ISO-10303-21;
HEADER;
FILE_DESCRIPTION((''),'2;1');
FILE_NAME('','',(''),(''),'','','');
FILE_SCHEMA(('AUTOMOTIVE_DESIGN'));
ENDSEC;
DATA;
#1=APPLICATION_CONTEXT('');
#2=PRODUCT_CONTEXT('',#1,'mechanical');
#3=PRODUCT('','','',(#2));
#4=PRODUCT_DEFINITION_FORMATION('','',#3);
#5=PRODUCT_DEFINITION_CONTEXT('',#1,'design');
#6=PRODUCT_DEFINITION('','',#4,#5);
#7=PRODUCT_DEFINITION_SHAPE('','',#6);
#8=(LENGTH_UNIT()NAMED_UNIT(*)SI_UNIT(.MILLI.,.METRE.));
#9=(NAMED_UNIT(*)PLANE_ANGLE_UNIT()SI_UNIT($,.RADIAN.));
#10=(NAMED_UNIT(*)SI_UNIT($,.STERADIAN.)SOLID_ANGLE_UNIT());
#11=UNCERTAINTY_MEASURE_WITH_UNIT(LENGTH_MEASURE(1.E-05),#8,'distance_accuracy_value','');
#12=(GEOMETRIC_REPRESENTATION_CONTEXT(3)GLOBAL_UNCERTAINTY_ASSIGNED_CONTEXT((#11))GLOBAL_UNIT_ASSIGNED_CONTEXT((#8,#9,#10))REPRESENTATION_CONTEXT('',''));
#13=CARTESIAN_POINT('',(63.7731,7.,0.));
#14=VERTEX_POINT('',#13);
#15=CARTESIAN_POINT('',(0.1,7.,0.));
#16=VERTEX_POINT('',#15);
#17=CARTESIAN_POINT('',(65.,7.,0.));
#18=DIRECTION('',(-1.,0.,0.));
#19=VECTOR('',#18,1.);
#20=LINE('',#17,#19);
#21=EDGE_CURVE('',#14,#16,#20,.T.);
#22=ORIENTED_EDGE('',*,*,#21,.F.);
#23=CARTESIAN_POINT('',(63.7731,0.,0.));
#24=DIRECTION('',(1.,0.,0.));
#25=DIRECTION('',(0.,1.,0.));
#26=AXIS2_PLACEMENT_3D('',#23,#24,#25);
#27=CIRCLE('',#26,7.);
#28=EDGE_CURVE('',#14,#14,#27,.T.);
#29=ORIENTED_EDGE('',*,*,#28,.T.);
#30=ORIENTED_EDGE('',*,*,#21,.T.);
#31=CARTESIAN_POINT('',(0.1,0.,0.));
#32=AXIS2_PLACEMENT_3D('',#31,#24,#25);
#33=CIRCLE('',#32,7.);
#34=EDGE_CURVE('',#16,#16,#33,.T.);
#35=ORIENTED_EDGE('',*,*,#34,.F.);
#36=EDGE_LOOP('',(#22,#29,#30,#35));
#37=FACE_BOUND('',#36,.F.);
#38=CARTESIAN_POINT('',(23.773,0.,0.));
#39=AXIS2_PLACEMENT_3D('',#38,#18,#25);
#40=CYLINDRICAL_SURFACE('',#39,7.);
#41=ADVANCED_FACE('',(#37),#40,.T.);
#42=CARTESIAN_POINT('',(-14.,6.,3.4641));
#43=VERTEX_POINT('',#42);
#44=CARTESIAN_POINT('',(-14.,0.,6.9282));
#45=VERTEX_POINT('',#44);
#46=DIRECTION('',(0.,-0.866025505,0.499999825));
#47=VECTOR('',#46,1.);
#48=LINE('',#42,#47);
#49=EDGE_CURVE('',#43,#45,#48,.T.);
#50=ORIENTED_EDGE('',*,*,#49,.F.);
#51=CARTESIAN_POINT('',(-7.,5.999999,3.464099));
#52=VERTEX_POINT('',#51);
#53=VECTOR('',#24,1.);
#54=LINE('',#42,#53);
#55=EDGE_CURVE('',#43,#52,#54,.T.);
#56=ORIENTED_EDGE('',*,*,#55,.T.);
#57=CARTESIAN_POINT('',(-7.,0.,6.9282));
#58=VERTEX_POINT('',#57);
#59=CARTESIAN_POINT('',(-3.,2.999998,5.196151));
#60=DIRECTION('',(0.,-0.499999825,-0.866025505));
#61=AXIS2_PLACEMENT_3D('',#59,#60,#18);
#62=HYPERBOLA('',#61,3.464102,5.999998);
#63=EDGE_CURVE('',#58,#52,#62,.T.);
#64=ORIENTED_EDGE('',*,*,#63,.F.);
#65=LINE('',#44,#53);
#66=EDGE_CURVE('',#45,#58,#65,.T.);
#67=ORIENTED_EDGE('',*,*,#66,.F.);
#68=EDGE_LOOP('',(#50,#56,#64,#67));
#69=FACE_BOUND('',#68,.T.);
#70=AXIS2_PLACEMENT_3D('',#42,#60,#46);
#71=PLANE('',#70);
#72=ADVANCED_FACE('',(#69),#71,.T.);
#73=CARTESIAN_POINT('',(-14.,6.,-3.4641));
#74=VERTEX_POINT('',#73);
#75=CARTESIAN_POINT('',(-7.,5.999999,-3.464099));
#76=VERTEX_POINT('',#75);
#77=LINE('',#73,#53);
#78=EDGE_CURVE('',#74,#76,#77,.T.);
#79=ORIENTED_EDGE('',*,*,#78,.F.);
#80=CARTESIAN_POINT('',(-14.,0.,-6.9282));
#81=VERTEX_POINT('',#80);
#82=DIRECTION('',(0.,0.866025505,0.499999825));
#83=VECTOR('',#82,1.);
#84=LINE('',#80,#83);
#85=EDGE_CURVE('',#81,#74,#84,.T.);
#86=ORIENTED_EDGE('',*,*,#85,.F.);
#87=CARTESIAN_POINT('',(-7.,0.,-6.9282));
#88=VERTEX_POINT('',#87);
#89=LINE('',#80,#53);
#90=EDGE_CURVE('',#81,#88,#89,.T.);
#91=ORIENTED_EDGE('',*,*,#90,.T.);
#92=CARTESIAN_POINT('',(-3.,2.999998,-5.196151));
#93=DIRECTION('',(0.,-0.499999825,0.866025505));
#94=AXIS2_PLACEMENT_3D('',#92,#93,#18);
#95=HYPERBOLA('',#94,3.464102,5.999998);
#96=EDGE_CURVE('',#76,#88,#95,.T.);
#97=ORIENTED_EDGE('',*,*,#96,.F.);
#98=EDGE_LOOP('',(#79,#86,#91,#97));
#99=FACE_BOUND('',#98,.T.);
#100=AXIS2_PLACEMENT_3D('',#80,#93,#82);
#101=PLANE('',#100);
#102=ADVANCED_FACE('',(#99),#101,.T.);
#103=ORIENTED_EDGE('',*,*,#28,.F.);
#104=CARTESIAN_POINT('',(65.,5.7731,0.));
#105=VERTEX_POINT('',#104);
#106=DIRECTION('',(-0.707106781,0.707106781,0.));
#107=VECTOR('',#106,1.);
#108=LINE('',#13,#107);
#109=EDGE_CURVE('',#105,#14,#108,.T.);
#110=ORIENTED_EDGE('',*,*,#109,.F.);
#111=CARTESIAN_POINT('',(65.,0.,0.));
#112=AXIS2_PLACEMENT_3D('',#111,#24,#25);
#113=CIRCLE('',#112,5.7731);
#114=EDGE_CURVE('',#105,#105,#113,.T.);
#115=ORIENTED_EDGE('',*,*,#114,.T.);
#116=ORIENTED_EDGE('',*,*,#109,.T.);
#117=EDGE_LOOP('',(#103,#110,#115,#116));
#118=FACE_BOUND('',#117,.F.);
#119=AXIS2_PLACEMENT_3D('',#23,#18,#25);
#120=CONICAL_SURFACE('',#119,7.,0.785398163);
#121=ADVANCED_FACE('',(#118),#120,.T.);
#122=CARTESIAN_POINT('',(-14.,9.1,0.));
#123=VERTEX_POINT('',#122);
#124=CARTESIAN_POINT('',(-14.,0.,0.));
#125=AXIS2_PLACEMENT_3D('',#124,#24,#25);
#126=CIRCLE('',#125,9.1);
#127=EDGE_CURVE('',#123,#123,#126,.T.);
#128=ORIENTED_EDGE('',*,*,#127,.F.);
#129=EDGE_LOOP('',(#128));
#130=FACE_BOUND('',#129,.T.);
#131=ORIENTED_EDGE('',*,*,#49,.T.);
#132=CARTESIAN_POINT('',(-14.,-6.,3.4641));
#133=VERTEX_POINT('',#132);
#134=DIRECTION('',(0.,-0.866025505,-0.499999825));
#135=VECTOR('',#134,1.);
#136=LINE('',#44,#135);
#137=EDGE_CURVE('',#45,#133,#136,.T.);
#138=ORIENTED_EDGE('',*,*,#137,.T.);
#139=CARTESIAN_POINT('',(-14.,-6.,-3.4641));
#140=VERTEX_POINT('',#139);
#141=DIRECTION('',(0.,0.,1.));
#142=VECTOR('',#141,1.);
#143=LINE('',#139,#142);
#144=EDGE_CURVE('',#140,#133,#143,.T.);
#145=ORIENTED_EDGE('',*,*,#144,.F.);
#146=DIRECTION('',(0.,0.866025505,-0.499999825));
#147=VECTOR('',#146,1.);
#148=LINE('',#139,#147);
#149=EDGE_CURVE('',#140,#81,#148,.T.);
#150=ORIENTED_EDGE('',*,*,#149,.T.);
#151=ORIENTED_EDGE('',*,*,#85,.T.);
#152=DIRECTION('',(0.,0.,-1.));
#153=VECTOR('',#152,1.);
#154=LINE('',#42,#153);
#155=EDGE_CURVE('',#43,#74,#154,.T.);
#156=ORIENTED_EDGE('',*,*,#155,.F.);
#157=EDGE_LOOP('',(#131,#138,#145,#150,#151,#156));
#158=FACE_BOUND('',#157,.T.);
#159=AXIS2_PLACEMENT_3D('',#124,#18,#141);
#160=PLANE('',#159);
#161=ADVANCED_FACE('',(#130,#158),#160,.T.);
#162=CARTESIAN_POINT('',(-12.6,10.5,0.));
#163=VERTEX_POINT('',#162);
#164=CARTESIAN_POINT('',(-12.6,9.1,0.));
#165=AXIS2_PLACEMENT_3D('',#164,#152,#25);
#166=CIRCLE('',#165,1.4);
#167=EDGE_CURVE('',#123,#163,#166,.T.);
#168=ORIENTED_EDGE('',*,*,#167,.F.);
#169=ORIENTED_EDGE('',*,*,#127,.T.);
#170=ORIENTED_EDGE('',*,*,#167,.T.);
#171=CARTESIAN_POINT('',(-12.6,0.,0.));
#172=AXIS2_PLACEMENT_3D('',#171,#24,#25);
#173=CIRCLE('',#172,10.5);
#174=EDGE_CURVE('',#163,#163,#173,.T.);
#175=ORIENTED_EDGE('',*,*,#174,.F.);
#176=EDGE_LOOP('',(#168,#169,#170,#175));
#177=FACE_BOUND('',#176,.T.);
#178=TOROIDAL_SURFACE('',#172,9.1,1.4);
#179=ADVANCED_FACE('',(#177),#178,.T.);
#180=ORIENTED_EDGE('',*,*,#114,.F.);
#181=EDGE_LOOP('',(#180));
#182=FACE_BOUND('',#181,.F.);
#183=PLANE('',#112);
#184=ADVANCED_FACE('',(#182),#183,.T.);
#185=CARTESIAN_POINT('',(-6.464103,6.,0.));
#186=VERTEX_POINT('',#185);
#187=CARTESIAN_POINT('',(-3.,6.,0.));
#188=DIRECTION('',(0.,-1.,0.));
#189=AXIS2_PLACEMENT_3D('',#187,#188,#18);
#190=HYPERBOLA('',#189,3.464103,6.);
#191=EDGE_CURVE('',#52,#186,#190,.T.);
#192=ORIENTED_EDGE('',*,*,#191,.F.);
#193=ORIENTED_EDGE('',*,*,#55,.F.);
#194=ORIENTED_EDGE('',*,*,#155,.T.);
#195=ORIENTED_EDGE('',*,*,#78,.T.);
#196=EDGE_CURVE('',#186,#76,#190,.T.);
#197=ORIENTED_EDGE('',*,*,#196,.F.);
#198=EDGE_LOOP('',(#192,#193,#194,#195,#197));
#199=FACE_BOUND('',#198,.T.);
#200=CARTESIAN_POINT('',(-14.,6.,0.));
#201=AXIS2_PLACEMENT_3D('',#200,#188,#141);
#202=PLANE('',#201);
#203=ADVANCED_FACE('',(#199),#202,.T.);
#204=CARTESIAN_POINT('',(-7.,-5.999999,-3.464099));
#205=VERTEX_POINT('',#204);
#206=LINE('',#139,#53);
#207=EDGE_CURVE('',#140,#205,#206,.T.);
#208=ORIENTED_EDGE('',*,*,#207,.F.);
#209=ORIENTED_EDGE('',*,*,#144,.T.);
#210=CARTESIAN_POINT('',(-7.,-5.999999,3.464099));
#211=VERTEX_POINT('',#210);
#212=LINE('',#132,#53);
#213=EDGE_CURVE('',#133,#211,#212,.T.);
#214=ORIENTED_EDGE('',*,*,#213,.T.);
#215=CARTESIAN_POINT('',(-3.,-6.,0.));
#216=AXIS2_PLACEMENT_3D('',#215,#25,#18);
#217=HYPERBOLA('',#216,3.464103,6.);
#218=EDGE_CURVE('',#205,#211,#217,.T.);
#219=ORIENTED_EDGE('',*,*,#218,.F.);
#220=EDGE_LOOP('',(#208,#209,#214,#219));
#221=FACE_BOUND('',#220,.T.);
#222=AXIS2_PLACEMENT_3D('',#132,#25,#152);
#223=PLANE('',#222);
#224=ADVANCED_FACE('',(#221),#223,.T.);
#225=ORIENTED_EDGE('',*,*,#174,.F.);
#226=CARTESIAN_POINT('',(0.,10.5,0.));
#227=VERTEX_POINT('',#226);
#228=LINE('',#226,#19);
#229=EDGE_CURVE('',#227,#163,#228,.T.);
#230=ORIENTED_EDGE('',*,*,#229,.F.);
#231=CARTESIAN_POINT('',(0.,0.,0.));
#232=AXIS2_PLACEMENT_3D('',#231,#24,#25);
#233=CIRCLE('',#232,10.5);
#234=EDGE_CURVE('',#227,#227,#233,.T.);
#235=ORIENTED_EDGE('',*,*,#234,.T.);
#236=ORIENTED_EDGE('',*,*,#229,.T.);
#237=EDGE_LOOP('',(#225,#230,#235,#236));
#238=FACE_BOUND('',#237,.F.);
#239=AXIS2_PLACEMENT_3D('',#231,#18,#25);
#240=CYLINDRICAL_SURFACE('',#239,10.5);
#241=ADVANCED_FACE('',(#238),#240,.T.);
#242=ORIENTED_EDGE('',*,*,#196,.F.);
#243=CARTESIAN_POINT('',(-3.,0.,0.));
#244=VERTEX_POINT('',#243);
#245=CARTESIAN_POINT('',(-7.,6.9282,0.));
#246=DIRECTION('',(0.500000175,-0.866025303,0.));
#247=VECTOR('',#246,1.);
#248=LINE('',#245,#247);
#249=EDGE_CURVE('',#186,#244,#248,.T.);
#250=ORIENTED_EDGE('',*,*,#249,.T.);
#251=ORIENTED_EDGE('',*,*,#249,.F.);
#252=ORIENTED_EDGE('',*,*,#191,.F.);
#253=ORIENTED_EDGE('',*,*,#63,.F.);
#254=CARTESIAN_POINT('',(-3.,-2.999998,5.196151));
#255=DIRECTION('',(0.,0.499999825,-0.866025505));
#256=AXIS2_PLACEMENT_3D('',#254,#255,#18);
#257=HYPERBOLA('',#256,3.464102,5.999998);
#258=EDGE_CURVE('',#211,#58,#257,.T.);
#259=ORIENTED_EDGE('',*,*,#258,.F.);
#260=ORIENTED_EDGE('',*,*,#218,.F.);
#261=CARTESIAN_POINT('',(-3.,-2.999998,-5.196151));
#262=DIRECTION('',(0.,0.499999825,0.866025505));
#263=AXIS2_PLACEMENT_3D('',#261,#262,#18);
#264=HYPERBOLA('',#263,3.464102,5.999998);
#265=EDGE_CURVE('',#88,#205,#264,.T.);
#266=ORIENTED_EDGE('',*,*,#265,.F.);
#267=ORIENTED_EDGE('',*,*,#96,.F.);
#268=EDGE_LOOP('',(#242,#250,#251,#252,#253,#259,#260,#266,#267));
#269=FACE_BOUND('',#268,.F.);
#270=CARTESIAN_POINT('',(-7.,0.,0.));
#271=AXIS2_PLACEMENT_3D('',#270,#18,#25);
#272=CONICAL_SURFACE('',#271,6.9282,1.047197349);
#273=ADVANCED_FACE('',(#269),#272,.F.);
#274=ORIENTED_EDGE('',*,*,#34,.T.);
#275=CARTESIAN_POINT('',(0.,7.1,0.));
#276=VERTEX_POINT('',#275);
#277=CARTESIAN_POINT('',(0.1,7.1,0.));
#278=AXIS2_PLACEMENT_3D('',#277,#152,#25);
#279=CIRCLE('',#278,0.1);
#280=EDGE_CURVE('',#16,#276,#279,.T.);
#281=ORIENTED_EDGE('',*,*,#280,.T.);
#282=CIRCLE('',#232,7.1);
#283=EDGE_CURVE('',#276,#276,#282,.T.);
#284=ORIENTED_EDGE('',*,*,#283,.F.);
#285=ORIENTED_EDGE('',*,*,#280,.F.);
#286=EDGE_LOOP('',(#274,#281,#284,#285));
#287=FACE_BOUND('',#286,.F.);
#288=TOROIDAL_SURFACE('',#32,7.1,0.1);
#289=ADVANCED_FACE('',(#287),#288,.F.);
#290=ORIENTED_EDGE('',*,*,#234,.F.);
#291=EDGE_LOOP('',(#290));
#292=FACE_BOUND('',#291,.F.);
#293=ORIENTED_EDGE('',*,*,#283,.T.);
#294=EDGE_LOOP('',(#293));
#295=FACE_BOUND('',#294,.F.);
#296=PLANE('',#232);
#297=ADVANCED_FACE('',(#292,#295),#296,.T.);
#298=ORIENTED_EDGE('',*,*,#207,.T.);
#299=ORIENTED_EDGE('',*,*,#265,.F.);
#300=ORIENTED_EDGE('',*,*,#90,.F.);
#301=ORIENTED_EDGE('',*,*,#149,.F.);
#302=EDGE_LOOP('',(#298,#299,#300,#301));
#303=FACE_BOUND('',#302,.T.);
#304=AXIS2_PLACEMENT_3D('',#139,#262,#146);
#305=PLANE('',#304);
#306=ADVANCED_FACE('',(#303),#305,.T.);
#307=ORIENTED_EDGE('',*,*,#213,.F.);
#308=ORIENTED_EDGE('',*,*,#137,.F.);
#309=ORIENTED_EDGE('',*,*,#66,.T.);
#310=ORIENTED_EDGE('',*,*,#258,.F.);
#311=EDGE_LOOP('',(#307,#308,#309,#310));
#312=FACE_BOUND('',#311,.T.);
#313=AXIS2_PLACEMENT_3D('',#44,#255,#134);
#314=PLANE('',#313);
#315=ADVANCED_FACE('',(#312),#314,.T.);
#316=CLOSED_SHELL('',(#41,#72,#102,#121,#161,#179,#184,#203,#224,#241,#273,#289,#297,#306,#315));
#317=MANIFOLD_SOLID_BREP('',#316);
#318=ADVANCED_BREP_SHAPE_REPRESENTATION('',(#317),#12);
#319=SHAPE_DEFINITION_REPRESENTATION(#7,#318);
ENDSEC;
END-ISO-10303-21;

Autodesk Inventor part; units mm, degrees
ref_plane "YZ Plane" through (0, 0, 0) normal (1, 0, 0) x (0, 1, 0)
ref_plane "XZ Plane" through (0, 0, 0) normal (0, 1, 0) x (-1, 0, 0)
sketch "Sketch1" plane through (0, 0, 0) normal (0, 0, 1) x (1, 0, 0)
  line L0 (-3, 0) -> (65, 0)
  line L1 (65, 0) -> (65, 7)
  line L2 (65, 7) -> (25, 7)
  line L3 (25, 7) -> (23.773, 7)
  line L4 (23.773, 7) -> (0, 7)
  line L5 (0, 7) -> (0, 10.5)
  line L6 (0, 10.5) -> (-14, 10.5)
  line L7 (-14, 10.5) -> (-14, 6.9282)
  line L8 (-14, 6.9282) -> (-7, 6.9282)
  line L9 (-7, 6.9282) -> (-3, 0)
  line L10 (-29.8, 0) -> (80.8, 0) projected
  line L11 (0, -2.1) -> (0, 12.6) projected
  line L12 (25, 7) -> (0, 7) construction
  dimension "d1" = 40
  dimension "d2" = 1.227
  dimension "d3" = 14
  dimension "d4" = 7
  dimension "d5" = 60
  dimension "d6" = 14
  dimension "d7" = 14
  dimension "d8" = 13.8564
  dimension "d9" = 21
  dimension "d26" = 65
revolve "Body" add sketch "Sketch1" angle 360 about axis through (-3, 0, 0) along (1, 0, 0)
sketch "Sketch2" plane through (-14, 0, 0) normal (-1, 0, 0) x (0, 0, 1)
  circle A0 centre (0, 0) radius 6.9282 projected
  line L0 (0, -14.7) -> (0, 14.7) projected
  line L1 (-14.7, 0) -> (14.7, 0) projected
  line L2 (6.9282, 0) -> (3.4641, -6)
  line L3 (3.4641, -6) -> (-3.4641, -6)
  line L4 (-3.4641, -6) -> (-6.9282, 0)
  line L5 (-6.9282, 0) -> (-3.4641, 6)
  line L6 (-3.4641, 6) -> (3.4641, 6)
  line L7 (3.4641, 6) -> (6.9282, 0)
extrude "Slot" add sketch "Sketch2" against normal up to next contours L7 A0 | A0 L2 | L6 L0 A0 | A0 L0 L3 | L0 L6 A0 | A0 L3 L0 | L4 A0 | A0 L5
fillet "Fillet1" radius 1.4 1 edges at (-14, -10.5, 0)
thread "Thread" size "M14x2" class "6g" standard "ISO Metric profile" length 40
chamfer "Chamfer1" distance 1.2269 distance2 1.2269 1 edges at (65, -7, 0) measured on face at (65, 0.2813, -2.3163)
ref_plane "Work Plane1" through (29, 0, 0) normal (0, -1, 0) x (1, 0, 0)
fillet "Fillet2" radius 0.1 1 edges at (0, -7, 0)
equation "\"d1\" = GEL"
equation "\"d3\" = KOH"
equation "\"d4\" = INTI"
equation "\"d6\" = GD"
equation "\"d7\" = BDM"
equation "\"d8\" = 1.1547 * SW"
equation "\"d9\" = KOD"
equation "\"d26\" = NLG"
equation "\"d30\" = R"
equation "\"d17\" = RR"
equation "\"d13\" = GEL"
equation "\"d15\" = -0.5 * SPD + 0.5 * GD"
equation "\"d16\" = GUL"
equation "\"GD\" = 14"
equation "\"NLG\" = 65"
equation "\"GEL\" = 40"
equation "\"KOD\" = 21"
equation "\"KOH\" = 14"
equation "\"INTI\" = 7"
equation "\"GAL\" = 0.61345 * PTC"
equation "\"GUL\" = 0.61345 * PTC"
equation "\"BDM\" = NND"
equation "\"SW\" = 12"
equation "\"RR\" = 1.4"
equation "\"SPD\" = NND - 1.2269 * PTC"
equation "\"R\" = 0.1"
equation "\"TOA\" = 30deg"
equation "\"GD1\" = THREADDIA - 1.2269 * PTC"
equation "\"THREADDIA\" = 14"
equation "\"FAWI\" = 45deg"
equation "\"PTC\" = 2"
equation "\"NND\" = 14"
equation "\"E0\" = 1.155 * SW"
properties part number "ISO 4762 - M14 x 65" material "Stainless Steel, 440C"
